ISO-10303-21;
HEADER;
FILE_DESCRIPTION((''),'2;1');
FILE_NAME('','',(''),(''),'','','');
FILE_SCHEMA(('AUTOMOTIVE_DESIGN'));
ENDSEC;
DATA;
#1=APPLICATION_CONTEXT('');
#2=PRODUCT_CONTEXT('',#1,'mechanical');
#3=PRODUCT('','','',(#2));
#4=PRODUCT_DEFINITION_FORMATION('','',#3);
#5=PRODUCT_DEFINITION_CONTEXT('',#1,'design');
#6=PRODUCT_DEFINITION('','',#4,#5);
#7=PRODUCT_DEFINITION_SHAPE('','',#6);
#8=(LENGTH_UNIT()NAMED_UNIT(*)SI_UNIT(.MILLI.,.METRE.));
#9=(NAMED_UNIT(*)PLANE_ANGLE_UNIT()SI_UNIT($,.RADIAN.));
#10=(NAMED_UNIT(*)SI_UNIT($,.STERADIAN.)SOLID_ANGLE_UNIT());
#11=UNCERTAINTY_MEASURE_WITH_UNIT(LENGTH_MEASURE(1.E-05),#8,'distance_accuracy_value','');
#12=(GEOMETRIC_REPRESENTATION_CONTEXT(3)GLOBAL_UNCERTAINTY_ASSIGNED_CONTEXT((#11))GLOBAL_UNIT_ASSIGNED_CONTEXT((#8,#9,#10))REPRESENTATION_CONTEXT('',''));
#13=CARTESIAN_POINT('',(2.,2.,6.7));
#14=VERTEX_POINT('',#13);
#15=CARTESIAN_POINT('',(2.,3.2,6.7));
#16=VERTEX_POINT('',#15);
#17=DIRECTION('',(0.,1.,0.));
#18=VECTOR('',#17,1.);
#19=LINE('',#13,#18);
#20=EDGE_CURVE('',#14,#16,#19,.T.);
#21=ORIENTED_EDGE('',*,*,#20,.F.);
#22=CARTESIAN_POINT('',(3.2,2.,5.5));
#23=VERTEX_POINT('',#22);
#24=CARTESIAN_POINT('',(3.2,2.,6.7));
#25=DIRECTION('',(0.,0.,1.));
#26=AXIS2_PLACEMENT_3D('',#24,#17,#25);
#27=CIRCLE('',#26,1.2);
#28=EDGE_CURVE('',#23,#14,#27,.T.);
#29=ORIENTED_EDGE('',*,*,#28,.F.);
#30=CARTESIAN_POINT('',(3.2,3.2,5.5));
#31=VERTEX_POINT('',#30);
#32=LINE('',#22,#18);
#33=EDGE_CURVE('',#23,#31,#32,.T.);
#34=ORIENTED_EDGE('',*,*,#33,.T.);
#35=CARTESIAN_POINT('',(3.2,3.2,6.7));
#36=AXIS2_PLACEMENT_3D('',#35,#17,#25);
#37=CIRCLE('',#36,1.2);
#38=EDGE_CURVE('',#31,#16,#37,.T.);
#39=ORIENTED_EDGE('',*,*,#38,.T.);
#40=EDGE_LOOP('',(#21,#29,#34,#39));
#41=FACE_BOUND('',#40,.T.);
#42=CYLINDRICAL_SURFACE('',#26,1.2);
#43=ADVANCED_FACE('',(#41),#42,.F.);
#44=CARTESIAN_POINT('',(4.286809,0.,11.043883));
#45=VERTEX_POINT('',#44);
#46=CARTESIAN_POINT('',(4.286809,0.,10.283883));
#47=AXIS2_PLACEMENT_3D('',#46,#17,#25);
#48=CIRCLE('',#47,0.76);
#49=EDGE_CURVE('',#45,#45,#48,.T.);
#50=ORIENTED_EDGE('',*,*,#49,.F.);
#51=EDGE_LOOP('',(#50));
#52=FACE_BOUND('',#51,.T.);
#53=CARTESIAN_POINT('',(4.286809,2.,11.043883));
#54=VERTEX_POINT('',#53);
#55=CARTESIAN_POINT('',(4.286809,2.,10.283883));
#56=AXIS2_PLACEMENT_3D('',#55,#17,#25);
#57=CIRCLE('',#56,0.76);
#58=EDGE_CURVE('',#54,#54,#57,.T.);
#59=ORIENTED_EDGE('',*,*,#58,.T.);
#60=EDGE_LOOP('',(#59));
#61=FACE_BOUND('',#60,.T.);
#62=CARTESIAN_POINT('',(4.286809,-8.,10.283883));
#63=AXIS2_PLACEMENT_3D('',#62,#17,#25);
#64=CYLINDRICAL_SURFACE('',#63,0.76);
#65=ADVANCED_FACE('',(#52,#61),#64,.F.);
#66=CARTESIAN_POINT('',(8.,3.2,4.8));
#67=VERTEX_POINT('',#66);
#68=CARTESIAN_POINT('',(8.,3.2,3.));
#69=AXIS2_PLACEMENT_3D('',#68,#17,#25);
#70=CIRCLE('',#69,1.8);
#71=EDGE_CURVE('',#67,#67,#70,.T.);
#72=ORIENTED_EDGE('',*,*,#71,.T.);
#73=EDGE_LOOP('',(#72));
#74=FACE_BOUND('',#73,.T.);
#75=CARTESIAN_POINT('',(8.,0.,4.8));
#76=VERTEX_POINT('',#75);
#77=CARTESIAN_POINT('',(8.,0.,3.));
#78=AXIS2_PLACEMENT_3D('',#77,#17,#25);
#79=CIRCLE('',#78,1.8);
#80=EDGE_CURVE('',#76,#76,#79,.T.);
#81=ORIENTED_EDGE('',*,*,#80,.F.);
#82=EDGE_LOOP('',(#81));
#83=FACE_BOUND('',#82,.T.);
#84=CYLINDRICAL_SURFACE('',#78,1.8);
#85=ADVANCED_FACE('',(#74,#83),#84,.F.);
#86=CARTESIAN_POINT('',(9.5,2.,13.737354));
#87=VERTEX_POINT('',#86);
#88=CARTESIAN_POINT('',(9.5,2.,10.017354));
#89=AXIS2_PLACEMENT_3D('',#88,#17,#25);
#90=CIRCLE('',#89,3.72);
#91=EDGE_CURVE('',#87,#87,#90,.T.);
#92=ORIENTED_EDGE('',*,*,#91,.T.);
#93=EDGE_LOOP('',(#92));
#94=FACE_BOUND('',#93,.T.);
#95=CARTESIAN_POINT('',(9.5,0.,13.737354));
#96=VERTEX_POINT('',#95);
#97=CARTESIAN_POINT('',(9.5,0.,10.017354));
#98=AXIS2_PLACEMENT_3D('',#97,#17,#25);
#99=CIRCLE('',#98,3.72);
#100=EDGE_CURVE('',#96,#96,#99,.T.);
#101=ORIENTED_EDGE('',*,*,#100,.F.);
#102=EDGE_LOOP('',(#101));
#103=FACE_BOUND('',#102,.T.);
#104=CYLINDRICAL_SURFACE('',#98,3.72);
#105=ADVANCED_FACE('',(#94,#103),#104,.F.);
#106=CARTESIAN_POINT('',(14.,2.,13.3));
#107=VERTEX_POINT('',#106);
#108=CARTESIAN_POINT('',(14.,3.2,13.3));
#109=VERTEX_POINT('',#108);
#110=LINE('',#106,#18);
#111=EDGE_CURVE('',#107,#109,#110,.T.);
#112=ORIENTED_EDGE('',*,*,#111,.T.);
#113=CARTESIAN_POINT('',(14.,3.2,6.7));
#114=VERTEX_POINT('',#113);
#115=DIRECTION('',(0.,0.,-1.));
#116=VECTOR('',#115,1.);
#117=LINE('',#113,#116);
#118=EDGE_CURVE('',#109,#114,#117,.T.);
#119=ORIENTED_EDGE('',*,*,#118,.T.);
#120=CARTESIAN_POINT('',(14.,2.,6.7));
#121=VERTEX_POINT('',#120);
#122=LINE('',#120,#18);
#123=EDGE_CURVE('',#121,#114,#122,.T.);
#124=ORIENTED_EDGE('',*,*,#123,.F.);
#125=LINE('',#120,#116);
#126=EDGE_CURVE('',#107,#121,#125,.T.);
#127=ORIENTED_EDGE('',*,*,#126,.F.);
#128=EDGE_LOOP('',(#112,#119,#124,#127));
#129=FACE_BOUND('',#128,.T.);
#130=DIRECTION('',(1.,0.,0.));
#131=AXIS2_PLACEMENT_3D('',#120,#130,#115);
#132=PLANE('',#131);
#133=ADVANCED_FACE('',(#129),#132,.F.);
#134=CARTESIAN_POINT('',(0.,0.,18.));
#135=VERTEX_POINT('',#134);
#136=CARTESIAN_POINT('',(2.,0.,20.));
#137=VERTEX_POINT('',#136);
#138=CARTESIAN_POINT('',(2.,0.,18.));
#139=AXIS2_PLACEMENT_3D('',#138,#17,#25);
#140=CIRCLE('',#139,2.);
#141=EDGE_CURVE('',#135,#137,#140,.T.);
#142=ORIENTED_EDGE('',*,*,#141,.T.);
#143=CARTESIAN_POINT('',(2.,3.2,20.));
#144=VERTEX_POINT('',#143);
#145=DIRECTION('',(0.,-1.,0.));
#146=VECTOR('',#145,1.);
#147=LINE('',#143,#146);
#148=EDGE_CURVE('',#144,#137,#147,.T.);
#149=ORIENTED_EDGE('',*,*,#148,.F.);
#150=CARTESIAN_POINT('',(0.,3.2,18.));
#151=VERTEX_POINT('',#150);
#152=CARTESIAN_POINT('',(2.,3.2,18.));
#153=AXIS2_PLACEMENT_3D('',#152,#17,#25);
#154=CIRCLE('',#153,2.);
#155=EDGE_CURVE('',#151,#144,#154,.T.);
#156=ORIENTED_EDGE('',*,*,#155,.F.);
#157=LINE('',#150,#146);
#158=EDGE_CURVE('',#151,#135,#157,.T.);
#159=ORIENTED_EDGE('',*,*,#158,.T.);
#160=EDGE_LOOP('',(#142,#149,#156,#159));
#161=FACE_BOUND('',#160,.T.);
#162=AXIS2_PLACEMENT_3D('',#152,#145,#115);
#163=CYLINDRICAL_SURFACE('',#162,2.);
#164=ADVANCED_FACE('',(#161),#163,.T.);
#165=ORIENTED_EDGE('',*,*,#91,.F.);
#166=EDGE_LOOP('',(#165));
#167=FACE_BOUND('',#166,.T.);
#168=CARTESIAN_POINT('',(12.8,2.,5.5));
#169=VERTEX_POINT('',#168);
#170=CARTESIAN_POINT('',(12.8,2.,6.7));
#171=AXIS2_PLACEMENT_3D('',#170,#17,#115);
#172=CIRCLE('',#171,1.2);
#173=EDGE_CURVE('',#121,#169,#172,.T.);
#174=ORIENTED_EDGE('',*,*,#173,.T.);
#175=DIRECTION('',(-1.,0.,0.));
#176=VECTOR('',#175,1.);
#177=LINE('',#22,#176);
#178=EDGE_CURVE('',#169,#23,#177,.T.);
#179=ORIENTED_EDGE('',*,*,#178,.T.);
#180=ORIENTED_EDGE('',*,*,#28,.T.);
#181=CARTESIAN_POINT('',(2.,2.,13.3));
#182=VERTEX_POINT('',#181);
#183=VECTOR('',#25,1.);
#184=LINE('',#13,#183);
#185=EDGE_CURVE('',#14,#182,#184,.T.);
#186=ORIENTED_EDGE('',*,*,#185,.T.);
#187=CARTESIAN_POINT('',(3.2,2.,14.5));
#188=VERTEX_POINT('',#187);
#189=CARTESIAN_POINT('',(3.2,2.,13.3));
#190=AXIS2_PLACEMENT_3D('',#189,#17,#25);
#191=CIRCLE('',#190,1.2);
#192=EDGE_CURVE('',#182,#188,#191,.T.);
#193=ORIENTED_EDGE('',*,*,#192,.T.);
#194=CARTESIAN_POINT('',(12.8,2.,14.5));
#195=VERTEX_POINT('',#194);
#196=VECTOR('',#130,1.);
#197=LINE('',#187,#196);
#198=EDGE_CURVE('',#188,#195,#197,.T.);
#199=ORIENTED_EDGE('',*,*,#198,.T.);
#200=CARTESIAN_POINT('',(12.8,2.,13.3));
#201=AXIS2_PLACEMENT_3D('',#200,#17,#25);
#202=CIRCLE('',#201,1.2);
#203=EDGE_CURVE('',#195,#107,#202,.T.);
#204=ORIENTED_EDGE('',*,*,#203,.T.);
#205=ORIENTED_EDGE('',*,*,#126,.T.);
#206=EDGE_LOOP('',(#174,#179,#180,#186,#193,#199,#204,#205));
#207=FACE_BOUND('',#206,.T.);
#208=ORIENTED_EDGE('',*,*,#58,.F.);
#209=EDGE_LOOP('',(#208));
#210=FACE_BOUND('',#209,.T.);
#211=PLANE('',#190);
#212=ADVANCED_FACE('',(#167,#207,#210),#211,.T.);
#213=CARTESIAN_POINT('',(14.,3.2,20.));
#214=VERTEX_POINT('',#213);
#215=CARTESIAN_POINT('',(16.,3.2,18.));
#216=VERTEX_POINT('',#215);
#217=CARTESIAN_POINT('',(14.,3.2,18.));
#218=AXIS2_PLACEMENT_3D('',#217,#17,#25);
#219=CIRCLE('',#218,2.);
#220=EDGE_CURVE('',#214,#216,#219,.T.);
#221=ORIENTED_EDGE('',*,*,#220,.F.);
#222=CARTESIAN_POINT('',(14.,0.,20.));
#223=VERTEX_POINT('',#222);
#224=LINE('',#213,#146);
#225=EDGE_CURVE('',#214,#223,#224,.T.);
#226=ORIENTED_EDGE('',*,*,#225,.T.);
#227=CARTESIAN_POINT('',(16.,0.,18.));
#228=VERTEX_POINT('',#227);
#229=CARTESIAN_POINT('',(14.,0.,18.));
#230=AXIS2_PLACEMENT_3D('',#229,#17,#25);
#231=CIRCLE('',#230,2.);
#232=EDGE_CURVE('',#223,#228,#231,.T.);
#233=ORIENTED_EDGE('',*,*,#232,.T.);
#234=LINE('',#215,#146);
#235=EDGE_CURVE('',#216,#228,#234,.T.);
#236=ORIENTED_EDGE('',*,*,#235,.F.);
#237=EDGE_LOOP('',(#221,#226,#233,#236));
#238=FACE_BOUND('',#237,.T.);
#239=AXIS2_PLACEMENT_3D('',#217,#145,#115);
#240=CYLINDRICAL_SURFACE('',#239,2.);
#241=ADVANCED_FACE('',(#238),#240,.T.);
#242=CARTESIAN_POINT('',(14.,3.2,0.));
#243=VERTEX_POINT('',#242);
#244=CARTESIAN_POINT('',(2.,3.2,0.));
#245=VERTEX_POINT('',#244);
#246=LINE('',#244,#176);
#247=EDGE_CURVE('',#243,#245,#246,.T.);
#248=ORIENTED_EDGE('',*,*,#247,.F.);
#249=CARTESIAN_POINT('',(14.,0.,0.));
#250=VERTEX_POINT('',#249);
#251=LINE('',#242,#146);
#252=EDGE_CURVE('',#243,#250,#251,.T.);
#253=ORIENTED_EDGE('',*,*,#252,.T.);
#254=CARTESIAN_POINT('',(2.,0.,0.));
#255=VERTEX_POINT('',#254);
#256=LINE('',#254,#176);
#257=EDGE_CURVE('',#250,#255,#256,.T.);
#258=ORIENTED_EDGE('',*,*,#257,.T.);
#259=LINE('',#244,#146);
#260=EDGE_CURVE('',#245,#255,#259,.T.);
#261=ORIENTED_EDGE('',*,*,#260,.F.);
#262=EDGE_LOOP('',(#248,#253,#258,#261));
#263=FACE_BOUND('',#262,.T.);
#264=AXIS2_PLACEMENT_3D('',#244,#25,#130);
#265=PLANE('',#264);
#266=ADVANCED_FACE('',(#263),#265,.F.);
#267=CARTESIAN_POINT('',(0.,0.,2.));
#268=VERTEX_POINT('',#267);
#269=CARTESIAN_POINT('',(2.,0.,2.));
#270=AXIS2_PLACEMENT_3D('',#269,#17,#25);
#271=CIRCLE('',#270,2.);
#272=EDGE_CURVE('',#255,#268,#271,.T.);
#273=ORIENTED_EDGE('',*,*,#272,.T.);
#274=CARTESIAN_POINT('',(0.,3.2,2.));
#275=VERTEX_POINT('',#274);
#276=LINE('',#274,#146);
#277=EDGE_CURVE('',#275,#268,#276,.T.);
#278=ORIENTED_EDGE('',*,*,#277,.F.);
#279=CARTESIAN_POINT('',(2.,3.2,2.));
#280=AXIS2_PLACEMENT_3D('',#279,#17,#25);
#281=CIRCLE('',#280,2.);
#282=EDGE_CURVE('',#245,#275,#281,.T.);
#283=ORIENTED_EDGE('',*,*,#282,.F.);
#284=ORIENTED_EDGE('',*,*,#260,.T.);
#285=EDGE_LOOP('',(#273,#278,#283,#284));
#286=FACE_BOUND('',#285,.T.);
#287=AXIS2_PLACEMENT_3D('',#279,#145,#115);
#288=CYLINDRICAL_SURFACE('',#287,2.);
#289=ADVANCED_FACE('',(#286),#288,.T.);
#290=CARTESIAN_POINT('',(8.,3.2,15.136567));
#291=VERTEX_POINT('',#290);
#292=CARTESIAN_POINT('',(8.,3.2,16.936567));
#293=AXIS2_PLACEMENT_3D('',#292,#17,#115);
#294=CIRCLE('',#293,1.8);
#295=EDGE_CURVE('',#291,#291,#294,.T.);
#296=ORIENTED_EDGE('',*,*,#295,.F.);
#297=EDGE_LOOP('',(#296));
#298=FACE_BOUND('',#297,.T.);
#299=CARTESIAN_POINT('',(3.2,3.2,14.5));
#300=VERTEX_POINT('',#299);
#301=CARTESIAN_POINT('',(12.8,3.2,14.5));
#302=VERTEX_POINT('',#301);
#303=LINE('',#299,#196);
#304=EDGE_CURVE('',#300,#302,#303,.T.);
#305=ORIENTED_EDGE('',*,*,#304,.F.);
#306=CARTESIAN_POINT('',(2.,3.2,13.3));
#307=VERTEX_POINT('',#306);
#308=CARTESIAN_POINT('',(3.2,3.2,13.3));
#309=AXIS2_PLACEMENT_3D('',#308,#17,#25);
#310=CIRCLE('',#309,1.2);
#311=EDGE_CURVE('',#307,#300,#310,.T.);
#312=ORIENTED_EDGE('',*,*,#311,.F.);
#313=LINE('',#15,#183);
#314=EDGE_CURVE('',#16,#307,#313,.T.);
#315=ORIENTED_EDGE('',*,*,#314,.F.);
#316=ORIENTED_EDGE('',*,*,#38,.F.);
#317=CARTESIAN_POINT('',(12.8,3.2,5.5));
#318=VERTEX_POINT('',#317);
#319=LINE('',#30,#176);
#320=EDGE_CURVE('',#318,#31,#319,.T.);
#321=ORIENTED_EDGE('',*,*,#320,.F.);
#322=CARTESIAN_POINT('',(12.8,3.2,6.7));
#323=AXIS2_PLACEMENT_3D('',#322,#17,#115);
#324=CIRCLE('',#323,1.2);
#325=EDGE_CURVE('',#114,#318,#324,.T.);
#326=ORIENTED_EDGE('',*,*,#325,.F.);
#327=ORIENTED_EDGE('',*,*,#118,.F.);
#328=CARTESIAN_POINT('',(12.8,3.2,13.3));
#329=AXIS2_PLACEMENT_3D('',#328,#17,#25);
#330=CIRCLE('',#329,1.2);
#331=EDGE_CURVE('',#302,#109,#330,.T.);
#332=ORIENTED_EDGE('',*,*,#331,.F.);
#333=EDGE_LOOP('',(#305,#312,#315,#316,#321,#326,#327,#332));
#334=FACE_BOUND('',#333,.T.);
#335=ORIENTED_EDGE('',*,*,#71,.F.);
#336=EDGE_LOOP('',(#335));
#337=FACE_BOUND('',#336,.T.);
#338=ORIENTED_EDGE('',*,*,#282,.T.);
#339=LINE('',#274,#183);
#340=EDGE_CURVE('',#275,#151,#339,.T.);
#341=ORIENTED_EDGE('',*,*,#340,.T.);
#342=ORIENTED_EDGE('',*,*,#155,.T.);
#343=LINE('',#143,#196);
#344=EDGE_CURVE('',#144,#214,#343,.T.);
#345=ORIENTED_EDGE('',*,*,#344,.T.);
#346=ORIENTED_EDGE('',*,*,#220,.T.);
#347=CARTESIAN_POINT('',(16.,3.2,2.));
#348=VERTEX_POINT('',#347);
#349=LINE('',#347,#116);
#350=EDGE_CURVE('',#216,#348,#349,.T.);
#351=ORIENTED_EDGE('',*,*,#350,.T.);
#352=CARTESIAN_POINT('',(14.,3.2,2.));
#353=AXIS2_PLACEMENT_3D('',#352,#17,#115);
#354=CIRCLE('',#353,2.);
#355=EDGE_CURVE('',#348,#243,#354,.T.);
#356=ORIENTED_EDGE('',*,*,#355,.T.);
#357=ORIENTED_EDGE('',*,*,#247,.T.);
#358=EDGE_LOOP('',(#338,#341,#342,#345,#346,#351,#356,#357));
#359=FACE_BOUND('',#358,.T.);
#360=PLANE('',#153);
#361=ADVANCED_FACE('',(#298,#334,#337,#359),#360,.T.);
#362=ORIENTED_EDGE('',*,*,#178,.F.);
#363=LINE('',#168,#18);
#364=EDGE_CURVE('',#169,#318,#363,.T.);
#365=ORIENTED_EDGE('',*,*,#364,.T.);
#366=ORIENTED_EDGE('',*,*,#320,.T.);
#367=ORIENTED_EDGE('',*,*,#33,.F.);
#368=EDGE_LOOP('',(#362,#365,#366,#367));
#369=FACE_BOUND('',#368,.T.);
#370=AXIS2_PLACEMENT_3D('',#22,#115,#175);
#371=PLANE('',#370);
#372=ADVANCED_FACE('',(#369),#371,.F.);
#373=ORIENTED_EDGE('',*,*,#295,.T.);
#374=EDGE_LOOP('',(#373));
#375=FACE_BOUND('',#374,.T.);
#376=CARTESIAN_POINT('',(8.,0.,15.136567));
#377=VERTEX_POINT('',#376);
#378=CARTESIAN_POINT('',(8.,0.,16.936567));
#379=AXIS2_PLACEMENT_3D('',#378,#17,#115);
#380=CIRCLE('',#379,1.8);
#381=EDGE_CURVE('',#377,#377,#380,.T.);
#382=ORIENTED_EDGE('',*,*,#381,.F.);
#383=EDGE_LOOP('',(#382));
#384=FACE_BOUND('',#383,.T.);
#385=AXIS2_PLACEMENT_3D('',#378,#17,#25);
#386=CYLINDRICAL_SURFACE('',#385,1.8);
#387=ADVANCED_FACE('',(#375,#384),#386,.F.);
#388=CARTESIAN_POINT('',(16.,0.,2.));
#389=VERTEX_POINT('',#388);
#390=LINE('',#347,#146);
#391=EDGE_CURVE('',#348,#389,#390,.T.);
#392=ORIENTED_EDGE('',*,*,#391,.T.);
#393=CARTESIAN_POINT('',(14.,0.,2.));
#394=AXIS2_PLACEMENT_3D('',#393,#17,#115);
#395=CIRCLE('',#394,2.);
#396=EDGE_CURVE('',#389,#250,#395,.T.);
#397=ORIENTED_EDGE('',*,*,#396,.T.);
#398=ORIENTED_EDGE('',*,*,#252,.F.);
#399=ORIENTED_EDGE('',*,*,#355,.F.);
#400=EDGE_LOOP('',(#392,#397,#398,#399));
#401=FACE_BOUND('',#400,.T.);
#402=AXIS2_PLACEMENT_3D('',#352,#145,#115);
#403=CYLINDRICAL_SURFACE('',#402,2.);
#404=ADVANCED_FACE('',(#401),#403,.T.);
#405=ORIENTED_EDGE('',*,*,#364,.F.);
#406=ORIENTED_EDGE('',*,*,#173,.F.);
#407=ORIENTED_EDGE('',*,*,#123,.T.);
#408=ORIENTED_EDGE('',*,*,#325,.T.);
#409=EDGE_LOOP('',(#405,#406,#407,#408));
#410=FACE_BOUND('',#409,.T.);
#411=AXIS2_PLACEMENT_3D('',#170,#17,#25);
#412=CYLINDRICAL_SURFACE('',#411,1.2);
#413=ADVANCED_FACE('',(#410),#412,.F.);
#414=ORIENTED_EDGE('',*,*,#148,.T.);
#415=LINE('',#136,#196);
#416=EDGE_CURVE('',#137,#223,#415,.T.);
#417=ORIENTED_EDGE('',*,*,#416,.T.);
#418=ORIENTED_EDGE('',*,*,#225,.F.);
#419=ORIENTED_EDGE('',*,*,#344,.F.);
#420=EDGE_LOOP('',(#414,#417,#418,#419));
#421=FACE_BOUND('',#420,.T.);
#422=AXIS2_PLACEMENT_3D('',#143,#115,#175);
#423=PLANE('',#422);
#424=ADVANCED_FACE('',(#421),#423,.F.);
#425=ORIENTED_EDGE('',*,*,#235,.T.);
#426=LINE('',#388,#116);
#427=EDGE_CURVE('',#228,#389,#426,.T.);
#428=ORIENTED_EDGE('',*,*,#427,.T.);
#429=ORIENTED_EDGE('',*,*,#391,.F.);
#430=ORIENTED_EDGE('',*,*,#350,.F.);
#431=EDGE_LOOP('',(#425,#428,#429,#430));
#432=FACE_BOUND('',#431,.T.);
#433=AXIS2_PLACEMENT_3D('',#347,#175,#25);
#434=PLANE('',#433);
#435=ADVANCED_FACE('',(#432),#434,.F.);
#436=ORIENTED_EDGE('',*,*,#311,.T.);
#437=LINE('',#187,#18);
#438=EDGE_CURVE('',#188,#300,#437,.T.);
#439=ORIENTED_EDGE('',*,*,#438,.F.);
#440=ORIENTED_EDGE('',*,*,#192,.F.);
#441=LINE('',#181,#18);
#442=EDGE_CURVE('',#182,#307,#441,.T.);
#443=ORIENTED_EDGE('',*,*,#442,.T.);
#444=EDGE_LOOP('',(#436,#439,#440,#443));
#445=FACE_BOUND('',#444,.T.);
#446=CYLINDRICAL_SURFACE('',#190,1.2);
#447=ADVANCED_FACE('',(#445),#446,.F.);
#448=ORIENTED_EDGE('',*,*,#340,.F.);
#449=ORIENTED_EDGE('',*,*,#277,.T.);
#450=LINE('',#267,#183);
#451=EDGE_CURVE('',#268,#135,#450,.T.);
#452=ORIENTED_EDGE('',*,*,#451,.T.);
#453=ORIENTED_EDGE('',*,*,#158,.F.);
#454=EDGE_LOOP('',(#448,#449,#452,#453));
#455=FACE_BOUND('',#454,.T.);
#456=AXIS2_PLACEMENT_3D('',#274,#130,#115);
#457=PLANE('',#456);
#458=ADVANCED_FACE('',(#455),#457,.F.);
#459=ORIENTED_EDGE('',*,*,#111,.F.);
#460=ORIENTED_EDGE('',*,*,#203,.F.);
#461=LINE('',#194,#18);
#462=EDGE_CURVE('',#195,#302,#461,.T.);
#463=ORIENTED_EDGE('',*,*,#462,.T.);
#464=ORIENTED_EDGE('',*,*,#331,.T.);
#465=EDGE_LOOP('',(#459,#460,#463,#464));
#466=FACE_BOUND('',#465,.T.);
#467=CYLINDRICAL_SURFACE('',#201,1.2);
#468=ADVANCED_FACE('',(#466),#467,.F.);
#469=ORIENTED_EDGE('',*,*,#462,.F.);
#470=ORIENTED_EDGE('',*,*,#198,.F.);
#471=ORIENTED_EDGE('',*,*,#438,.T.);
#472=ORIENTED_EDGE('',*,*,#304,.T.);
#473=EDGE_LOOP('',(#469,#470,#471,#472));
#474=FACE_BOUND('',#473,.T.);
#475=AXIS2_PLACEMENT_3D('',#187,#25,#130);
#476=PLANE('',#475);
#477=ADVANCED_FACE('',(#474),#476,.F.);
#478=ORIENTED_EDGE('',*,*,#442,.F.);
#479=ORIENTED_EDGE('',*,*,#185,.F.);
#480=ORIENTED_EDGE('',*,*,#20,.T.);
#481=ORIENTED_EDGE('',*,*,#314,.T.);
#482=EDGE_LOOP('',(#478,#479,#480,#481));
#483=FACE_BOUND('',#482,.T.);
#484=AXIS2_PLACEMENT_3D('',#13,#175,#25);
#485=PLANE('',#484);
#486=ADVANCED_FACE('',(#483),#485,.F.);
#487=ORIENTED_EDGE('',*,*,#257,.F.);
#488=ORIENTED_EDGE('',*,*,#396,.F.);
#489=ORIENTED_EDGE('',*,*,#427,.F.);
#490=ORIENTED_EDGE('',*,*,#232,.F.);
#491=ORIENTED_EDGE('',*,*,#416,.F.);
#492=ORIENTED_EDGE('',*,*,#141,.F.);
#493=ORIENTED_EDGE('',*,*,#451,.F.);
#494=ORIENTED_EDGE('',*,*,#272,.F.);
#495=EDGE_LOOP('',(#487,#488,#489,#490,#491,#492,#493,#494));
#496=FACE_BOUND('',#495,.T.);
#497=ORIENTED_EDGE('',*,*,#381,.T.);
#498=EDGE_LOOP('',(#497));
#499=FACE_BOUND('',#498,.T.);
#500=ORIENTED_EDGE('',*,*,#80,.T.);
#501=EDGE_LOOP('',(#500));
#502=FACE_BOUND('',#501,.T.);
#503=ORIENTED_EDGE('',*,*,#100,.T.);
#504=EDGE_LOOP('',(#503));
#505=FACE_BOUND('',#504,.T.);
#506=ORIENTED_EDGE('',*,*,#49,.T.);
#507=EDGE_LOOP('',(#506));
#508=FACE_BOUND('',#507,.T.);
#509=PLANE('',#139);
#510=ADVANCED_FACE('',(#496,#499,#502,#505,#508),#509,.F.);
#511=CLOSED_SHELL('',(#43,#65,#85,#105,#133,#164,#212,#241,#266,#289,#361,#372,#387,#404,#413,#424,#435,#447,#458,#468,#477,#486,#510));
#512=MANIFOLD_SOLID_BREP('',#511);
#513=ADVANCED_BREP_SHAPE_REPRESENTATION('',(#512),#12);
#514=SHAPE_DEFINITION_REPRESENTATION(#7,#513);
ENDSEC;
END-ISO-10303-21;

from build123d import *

# Parameters (mm, degrees)
BOSS_EXTRUDE1_DEPTH = 3.2
CUT_EXTRUDE1_DEPTH  = 1.2
SKETCH3_R           = 3.72
CUT_EXTRUDE2_DEPTH  = 26.690465157
SKETCH4_R           = 1.8
CUT_EXTRUDE3_DEPTH  = 26.811625288
SKETCH5_R           = 0.76
CUT_EXTRUDE4_DEPTH  = 10


with BuildPart() as part:
    # Sketch1 → Boss-Extrude1 (new body)
    with BuildSketch(Plane(origin=(0, 0, 0), x_dir=(1, 0, 0), z_dir=(0, 1, 0))):
        with BuildLine():
            Line((2, 0), (14, 0))
            ThreePointArc((14, 0), (15.414213562, -0.585786438), (16, -2))
            Line((16, -2), (16, -18))
            ThreePointArc((16, -18), (15.414213562, -19.414213562), (14, -20))
            Line((14, -20), (2, -20))
            ThreePointArc((2, -20), (0.585786438, -19.414213562), (0, -18))
            Line((0, -18), (0, -2))
            ThreePointArc((0, -2), (0.585786438, -0.585786438), (2, 0))
        make_face()
    extrude(amount=BOSS_EXTRUDE1_DEPTH)

    # Sketch2 → Cut-Extrude1 (cut)
    with BuildSketch(Plane(origin=(0, 3.2, 0), x_dir=(1, 0, 0), z_dir=(0, 1, 0))):
        with BuildLine():
            Line((3.2, -5.5), (12.8, -5.5))
            ThreePointArc((12.8, -5.5), (13.648528137, -5.851471863), (14, -6.7))
            Line((14, -6.7), (14, -13.3))
            ThreePointArc((14, -13.3), (13.648528137, -14.148528137), (12.8, -14.5))
            Line((12.8, -14.5), (3.2, -14.5))
            ThreePointArc((3.2, -14.5), (2.351471863, -14.148528137), (2, -13.3))
            Line((2, -13.3), (2, -6.7))
            ThreePointArc((2, -6.7), (2.351471863, -5.851471863), (3.2, -5.5))
        make_face()
    extrude(amount=-CUT_EXTRUDE1_DEPTH, mode=Mode.SUBTRACT)

    # Sketch3 → Cut-Extrude2 (cut, through all)
    with BuildSketch(Plane(origin=(0, 2, 0), x_dir=(1, 0, 0), z_dir=(0, 1, 0))):
        with Locations(Location((9.5, -10.0173545, 0), (0, 0, 270))):
            Circle(SKETCH3_R)
    extrude(amount=-CUT_EXTRUDE2_DEPTH, mode=Mode.SUBTRACT)

    # Sketch4 → Cut-Extrude3 (cut, through all)
    with BuildSketch(Plane(origin=(0, 3.2, 0), x_dir=(1, 0, 0), z_dir=(0, 1, 0))):
        with Locations(Location((8, -3, 0), (0, 0, 270))):
            Circle(SKETCH4_R)
        with Locations(Location((8, -16.936566923, 0), (0, 0, 90))):
            Circle(SKETCH4_R)
    extrude(amount=-CUT_EXTRUDE3_DEPTH, mode=Mode.SUBTRACT)

    # Sketch5 → Cut-Extrude4 (cut)
    with BuildSketch(Plane(origin=(0, 2, 0), x_dir=(1, 0, 0), z_dir=(0, 1, 0))):
        with Locations(Location((4.286808808, -10.283883288, 0), (0, 0, 270))):
            Circle(SKETCH5_R)
    extrude(amount=-CUT_EXTRUDE4_DEPTH, mode=Mode.SUBTRACT)


solid = part.part
